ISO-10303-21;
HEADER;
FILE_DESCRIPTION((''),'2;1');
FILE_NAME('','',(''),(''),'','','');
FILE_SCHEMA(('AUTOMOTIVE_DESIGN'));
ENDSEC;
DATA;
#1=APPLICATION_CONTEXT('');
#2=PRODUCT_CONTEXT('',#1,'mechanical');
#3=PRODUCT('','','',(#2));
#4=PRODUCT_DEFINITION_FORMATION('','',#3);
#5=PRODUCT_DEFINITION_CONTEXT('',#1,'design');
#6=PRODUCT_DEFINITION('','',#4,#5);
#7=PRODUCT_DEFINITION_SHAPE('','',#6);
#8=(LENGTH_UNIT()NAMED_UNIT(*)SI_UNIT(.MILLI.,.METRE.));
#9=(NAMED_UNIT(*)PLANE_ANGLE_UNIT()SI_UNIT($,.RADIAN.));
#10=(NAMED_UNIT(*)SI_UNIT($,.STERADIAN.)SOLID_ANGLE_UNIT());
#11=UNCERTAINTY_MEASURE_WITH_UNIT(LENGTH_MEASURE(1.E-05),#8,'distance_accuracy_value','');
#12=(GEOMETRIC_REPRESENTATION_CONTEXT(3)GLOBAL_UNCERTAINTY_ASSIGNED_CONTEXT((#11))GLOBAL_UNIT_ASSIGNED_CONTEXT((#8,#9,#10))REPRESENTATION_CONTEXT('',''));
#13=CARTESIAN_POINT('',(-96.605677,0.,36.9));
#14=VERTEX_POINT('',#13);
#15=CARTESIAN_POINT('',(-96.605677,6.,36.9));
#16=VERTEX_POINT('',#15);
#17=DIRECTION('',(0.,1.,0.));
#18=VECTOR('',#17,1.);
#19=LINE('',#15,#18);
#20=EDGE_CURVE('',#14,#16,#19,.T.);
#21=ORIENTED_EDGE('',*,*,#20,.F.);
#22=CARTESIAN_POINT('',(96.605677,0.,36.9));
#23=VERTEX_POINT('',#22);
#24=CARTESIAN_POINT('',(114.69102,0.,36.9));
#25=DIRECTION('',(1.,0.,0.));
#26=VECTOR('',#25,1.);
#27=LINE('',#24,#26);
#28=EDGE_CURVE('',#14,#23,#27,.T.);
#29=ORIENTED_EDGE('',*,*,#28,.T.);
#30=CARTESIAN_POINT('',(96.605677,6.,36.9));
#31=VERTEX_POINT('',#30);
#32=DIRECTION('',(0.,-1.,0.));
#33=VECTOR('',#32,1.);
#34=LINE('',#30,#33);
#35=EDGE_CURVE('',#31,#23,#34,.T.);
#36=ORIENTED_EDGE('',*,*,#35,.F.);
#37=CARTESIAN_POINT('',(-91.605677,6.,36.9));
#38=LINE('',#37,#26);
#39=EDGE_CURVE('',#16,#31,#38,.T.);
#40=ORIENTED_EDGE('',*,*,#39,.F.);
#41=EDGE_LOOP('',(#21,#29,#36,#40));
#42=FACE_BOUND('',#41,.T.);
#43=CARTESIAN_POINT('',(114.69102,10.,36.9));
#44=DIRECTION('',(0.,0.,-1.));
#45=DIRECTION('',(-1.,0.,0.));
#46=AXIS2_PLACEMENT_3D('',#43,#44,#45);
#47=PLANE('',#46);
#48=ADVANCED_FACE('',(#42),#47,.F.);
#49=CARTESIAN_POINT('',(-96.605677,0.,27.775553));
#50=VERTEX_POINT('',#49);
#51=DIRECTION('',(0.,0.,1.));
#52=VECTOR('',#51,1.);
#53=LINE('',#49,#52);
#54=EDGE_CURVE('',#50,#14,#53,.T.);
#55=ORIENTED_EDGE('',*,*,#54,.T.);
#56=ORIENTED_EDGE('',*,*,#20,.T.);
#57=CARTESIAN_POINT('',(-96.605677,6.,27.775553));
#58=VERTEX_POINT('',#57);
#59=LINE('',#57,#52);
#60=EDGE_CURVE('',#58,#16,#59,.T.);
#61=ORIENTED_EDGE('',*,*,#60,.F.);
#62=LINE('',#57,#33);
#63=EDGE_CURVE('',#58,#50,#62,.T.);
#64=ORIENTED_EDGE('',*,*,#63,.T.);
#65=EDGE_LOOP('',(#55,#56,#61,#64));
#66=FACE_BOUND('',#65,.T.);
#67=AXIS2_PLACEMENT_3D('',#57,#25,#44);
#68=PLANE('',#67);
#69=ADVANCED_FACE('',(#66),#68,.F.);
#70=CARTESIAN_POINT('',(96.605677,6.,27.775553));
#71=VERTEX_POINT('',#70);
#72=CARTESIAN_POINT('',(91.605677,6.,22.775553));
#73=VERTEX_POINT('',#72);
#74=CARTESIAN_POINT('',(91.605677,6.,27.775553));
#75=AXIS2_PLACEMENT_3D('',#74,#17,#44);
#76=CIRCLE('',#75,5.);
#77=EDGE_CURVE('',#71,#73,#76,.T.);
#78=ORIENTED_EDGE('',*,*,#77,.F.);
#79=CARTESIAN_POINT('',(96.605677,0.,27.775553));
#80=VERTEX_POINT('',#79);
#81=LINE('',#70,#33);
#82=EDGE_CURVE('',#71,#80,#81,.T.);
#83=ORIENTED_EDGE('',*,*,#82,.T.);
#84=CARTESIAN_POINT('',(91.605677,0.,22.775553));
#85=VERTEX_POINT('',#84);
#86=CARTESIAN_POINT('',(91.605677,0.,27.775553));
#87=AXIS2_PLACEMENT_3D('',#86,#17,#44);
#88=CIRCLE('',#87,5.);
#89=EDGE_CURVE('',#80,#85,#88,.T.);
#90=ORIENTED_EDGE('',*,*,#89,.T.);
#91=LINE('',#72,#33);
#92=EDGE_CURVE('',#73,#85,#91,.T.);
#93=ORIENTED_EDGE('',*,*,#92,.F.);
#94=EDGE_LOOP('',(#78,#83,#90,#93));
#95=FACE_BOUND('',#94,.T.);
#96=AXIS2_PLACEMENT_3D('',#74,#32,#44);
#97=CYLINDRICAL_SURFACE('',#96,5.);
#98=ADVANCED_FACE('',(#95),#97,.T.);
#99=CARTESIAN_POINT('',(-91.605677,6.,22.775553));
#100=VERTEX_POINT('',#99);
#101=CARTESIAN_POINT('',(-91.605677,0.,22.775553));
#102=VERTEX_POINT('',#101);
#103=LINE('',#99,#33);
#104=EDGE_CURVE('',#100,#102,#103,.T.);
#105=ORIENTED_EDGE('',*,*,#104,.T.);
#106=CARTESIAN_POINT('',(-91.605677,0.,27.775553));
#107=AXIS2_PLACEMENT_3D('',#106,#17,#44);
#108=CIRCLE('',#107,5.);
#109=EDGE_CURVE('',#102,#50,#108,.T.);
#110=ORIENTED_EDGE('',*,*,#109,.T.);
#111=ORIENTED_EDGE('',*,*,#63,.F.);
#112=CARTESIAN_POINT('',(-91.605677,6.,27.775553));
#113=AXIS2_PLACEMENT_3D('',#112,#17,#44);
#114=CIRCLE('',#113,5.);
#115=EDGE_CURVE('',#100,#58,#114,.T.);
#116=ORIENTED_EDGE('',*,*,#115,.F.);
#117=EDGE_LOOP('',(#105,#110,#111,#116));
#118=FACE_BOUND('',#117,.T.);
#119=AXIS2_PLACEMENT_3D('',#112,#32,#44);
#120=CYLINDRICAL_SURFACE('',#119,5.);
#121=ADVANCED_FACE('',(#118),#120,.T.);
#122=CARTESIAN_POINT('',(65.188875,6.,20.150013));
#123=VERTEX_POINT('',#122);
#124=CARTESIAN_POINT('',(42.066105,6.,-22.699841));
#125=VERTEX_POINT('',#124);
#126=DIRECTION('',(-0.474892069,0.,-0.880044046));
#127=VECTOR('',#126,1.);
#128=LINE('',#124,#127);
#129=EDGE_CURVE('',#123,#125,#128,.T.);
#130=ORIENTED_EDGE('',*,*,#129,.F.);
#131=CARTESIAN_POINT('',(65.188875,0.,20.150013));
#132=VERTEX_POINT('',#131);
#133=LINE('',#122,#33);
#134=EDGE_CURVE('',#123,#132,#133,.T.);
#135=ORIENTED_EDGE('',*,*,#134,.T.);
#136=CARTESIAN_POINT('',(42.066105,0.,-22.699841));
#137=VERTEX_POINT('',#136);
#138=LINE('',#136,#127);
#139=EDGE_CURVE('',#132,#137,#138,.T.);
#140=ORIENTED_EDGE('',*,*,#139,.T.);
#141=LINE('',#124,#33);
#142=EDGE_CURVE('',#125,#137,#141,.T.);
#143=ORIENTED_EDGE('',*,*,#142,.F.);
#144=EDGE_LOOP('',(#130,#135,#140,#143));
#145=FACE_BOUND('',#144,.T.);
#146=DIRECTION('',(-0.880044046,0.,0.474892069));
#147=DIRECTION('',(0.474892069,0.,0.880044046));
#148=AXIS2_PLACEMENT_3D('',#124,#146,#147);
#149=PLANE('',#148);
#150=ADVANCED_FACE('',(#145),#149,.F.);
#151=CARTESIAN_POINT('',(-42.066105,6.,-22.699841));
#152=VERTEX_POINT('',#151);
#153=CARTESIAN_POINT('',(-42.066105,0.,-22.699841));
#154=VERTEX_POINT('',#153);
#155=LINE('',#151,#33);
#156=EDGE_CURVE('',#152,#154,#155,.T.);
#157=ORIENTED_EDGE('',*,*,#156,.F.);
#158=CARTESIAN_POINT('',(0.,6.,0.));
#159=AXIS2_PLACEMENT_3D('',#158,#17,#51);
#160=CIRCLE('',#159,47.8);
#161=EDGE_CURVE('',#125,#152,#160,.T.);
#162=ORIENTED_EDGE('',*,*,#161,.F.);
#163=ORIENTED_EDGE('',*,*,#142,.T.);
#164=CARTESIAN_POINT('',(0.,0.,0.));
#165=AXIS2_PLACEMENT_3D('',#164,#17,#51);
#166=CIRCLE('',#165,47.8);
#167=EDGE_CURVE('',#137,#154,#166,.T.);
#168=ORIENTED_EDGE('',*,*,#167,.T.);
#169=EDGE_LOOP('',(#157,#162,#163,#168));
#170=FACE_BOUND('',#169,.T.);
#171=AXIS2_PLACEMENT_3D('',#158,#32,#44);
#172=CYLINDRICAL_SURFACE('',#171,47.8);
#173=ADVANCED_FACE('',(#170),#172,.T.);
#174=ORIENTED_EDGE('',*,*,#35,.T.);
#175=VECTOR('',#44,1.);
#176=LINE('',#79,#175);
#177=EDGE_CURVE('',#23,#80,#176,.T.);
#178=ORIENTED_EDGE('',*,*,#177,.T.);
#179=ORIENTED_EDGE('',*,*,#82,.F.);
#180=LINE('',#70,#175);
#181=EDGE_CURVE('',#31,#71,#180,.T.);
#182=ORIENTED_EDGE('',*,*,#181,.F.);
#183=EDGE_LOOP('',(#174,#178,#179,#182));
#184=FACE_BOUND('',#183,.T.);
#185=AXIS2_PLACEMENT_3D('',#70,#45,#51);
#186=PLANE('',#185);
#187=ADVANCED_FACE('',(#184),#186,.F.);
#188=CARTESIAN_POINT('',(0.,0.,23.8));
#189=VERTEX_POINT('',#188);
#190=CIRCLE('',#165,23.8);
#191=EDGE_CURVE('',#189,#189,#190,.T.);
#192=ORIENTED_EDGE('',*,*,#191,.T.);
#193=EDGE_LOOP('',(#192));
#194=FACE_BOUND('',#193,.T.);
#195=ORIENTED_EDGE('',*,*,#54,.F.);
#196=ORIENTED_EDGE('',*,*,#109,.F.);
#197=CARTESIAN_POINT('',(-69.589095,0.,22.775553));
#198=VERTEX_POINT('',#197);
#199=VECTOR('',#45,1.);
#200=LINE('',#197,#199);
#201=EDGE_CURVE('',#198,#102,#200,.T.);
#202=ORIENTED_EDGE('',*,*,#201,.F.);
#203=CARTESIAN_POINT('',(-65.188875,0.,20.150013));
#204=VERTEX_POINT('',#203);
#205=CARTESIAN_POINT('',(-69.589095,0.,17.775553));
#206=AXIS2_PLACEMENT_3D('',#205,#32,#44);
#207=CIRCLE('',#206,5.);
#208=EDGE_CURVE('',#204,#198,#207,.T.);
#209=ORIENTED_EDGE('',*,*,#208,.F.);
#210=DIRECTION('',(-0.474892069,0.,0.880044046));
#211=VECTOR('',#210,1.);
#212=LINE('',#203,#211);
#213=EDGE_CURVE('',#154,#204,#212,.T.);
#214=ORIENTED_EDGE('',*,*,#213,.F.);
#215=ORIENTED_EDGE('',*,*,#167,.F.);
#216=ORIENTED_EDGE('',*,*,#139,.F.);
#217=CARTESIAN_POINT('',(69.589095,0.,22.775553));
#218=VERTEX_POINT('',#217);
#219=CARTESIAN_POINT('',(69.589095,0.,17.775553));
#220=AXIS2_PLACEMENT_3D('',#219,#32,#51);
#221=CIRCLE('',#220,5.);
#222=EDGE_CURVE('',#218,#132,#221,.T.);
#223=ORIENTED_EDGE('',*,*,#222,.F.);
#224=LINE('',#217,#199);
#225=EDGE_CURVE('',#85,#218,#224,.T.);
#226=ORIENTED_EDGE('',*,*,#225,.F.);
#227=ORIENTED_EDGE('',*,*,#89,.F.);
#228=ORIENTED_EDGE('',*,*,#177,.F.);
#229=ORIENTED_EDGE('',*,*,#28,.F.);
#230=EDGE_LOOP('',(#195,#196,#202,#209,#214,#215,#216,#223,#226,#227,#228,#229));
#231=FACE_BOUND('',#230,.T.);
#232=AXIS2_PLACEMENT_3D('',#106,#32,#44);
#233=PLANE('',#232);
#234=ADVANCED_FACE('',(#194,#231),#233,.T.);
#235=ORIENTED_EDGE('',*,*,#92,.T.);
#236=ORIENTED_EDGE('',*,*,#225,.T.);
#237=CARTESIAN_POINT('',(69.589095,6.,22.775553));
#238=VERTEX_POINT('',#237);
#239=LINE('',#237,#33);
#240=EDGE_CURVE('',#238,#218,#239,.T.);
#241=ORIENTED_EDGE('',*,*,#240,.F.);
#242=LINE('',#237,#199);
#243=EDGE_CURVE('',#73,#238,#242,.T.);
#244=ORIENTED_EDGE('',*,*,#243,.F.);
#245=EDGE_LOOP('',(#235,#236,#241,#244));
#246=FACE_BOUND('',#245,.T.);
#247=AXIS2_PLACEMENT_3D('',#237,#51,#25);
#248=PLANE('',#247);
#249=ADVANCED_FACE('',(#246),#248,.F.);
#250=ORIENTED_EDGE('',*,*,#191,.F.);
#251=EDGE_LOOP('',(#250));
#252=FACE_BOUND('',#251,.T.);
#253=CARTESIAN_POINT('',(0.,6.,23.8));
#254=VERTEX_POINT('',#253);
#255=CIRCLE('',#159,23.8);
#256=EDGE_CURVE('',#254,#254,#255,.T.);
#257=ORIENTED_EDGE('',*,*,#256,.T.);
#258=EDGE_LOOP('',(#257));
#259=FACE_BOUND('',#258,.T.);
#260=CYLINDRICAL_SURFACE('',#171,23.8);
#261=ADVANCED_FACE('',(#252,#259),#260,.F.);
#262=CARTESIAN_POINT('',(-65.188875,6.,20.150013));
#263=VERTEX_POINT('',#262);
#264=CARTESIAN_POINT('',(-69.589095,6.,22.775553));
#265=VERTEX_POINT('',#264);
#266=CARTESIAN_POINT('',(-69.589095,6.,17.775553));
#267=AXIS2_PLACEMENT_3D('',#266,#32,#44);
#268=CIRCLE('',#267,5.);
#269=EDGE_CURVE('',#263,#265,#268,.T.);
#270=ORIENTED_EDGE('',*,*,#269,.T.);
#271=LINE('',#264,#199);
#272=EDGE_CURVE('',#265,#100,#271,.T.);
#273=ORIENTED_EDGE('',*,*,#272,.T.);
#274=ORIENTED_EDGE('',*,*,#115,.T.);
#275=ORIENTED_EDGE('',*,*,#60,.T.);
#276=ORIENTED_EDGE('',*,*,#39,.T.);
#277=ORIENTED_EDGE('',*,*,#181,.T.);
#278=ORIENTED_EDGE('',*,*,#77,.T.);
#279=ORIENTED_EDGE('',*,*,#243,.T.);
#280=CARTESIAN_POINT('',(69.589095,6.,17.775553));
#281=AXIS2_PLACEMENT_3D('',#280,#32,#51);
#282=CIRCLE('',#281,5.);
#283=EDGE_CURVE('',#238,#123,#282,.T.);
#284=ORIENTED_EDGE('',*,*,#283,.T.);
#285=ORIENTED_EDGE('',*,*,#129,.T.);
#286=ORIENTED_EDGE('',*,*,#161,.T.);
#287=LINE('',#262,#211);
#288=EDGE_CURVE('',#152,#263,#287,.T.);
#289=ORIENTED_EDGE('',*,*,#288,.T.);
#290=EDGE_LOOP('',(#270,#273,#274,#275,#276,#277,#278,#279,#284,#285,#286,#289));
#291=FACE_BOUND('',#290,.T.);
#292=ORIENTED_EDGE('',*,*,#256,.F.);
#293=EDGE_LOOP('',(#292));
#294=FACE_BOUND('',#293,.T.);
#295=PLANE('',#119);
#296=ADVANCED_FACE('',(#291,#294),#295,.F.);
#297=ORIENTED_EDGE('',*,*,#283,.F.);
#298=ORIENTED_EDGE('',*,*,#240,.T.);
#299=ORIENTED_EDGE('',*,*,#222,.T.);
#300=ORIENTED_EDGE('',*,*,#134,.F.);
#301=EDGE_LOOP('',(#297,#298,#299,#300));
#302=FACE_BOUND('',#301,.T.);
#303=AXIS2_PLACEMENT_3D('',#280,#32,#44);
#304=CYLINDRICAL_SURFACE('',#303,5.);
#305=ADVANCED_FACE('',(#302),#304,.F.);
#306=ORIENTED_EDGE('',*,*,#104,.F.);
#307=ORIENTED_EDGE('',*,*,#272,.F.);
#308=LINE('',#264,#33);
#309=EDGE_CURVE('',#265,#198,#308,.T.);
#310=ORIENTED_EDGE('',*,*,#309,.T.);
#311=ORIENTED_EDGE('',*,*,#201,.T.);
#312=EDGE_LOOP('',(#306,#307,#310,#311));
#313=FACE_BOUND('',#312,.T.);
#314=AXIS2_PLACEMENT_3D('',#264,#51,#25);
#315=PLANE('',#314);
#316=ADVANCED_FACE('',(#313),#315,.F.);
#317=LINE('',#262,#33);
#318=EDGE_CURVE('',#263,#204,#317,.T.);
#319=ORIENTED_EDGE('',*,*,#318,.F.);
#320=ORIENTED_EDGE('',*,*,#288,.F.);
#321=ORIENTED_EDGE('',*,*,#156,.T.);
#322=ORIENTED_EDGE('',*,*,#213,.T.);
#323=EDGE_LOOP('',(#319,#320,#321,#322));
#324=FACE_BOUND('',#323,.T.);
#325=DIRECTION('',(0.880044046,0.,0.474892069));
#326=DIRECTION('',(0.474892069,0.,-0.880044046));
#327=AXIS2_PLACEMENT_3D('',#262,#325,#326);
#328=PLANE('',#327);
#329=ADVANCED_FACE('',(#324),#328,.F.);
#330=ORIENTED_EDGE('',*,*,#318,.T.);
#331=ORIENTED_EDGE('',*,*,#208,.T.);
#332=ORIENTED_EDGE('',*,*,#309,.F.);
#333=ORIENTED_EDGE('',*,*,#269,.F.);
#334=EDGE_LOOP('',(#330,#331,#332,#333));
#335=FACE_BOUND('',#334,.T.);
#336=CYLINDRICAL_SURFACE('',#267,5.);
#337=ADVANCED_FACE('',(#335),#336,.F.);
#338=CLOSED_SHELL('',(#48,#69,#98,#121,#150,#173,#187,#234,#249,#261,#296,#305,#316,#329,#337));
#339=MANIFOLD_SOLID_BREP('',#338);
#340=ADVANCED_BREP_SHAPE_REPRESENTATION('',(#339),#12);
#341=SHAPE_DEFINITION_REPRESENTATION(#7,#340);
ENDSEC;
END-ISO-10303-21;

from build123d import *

# Parameters (mm, degrees)
SKETCH1_R           = 23.8
BOSS_EXTRUDE1_DEPTH = 6
SKETCH2_W           = 239.918851676
SKETCH2_H           = 8.691365156
CUT_EXTRUDE1_DEPTH  = 10


with BuildPart() as part:
    # Sketch1 → Boss-Extrude1 (new body)
    with BuildSketch(Plane(origin=(0, 0, 0), x_dir=(1, 0, 0), z_dir=(0, 1, 0))):
        with BuildLine():
            Line((65, -39.8), (-65, -39.8))
            Line((-65, -39.8), (-96.605676951, -39.8))
            Line((-96.605676951, -39.8), (-96.605676951, -27.775552827))
            ThreePointArc((-96.605676951, -27.775552827), (-95.141210857, -24.240018922), (-91.605676951, -22.775552827))
            Line((-91.605676951, -22.775552827), (-69.589095412, -22.775552827))
            ThreePointArc((-69.589095412, -22.775552827), (-67.027094411, -22.069286735), (-65.188875184, -20.150013174))
            Line((-65.188875184, -20.150013174), (-42.066105387, 22.699840916))
            ThreePointArc((-42.066105387, 22.699840916), (0, 47.8), (42.066105387, 22.699840916))
            Line((42.066105387, 22.699840916), (65.188875184, -20.150013174))
            ThreePointArc((65.188875184, -20.150013174), (67.027094411, -22.069286735), (69.589095412, -22.775552827))
            Line((69.589095412, -22.775552827), (91.605676951, -22.775552827))
            ThreePointArc((91.605676951, -22.775552827), (95.141210857, -24.240018922), (96.605676951, -27.775552827))
            Line((96.605676951, -27.775552827), (96.605676951, -39.8))
            Line((96.605676951, -39.8), (65, -39.8))
        make_face()
        with Locations(Location((0, 0, 0), (0, 0, 270))):
            Circle(SKETCH1_R, mode=Mode.SUBTRACT)
    extrude(amount=BOSS_EXTRUDE1_DEPTH)

    # Sketch2 → Cut-Extrude1 (cut)
    with BuildSketch(Plane.XZ):
        with Locations((-5.268405463, 41.245682578)):
            Rectangle(SKETCH2_W, SKETCH2_H)
    extrude(amount=-CUT_EXTRUDE1_DEPTH, mode=Mode.SUBTRACT)


solid = part.part
